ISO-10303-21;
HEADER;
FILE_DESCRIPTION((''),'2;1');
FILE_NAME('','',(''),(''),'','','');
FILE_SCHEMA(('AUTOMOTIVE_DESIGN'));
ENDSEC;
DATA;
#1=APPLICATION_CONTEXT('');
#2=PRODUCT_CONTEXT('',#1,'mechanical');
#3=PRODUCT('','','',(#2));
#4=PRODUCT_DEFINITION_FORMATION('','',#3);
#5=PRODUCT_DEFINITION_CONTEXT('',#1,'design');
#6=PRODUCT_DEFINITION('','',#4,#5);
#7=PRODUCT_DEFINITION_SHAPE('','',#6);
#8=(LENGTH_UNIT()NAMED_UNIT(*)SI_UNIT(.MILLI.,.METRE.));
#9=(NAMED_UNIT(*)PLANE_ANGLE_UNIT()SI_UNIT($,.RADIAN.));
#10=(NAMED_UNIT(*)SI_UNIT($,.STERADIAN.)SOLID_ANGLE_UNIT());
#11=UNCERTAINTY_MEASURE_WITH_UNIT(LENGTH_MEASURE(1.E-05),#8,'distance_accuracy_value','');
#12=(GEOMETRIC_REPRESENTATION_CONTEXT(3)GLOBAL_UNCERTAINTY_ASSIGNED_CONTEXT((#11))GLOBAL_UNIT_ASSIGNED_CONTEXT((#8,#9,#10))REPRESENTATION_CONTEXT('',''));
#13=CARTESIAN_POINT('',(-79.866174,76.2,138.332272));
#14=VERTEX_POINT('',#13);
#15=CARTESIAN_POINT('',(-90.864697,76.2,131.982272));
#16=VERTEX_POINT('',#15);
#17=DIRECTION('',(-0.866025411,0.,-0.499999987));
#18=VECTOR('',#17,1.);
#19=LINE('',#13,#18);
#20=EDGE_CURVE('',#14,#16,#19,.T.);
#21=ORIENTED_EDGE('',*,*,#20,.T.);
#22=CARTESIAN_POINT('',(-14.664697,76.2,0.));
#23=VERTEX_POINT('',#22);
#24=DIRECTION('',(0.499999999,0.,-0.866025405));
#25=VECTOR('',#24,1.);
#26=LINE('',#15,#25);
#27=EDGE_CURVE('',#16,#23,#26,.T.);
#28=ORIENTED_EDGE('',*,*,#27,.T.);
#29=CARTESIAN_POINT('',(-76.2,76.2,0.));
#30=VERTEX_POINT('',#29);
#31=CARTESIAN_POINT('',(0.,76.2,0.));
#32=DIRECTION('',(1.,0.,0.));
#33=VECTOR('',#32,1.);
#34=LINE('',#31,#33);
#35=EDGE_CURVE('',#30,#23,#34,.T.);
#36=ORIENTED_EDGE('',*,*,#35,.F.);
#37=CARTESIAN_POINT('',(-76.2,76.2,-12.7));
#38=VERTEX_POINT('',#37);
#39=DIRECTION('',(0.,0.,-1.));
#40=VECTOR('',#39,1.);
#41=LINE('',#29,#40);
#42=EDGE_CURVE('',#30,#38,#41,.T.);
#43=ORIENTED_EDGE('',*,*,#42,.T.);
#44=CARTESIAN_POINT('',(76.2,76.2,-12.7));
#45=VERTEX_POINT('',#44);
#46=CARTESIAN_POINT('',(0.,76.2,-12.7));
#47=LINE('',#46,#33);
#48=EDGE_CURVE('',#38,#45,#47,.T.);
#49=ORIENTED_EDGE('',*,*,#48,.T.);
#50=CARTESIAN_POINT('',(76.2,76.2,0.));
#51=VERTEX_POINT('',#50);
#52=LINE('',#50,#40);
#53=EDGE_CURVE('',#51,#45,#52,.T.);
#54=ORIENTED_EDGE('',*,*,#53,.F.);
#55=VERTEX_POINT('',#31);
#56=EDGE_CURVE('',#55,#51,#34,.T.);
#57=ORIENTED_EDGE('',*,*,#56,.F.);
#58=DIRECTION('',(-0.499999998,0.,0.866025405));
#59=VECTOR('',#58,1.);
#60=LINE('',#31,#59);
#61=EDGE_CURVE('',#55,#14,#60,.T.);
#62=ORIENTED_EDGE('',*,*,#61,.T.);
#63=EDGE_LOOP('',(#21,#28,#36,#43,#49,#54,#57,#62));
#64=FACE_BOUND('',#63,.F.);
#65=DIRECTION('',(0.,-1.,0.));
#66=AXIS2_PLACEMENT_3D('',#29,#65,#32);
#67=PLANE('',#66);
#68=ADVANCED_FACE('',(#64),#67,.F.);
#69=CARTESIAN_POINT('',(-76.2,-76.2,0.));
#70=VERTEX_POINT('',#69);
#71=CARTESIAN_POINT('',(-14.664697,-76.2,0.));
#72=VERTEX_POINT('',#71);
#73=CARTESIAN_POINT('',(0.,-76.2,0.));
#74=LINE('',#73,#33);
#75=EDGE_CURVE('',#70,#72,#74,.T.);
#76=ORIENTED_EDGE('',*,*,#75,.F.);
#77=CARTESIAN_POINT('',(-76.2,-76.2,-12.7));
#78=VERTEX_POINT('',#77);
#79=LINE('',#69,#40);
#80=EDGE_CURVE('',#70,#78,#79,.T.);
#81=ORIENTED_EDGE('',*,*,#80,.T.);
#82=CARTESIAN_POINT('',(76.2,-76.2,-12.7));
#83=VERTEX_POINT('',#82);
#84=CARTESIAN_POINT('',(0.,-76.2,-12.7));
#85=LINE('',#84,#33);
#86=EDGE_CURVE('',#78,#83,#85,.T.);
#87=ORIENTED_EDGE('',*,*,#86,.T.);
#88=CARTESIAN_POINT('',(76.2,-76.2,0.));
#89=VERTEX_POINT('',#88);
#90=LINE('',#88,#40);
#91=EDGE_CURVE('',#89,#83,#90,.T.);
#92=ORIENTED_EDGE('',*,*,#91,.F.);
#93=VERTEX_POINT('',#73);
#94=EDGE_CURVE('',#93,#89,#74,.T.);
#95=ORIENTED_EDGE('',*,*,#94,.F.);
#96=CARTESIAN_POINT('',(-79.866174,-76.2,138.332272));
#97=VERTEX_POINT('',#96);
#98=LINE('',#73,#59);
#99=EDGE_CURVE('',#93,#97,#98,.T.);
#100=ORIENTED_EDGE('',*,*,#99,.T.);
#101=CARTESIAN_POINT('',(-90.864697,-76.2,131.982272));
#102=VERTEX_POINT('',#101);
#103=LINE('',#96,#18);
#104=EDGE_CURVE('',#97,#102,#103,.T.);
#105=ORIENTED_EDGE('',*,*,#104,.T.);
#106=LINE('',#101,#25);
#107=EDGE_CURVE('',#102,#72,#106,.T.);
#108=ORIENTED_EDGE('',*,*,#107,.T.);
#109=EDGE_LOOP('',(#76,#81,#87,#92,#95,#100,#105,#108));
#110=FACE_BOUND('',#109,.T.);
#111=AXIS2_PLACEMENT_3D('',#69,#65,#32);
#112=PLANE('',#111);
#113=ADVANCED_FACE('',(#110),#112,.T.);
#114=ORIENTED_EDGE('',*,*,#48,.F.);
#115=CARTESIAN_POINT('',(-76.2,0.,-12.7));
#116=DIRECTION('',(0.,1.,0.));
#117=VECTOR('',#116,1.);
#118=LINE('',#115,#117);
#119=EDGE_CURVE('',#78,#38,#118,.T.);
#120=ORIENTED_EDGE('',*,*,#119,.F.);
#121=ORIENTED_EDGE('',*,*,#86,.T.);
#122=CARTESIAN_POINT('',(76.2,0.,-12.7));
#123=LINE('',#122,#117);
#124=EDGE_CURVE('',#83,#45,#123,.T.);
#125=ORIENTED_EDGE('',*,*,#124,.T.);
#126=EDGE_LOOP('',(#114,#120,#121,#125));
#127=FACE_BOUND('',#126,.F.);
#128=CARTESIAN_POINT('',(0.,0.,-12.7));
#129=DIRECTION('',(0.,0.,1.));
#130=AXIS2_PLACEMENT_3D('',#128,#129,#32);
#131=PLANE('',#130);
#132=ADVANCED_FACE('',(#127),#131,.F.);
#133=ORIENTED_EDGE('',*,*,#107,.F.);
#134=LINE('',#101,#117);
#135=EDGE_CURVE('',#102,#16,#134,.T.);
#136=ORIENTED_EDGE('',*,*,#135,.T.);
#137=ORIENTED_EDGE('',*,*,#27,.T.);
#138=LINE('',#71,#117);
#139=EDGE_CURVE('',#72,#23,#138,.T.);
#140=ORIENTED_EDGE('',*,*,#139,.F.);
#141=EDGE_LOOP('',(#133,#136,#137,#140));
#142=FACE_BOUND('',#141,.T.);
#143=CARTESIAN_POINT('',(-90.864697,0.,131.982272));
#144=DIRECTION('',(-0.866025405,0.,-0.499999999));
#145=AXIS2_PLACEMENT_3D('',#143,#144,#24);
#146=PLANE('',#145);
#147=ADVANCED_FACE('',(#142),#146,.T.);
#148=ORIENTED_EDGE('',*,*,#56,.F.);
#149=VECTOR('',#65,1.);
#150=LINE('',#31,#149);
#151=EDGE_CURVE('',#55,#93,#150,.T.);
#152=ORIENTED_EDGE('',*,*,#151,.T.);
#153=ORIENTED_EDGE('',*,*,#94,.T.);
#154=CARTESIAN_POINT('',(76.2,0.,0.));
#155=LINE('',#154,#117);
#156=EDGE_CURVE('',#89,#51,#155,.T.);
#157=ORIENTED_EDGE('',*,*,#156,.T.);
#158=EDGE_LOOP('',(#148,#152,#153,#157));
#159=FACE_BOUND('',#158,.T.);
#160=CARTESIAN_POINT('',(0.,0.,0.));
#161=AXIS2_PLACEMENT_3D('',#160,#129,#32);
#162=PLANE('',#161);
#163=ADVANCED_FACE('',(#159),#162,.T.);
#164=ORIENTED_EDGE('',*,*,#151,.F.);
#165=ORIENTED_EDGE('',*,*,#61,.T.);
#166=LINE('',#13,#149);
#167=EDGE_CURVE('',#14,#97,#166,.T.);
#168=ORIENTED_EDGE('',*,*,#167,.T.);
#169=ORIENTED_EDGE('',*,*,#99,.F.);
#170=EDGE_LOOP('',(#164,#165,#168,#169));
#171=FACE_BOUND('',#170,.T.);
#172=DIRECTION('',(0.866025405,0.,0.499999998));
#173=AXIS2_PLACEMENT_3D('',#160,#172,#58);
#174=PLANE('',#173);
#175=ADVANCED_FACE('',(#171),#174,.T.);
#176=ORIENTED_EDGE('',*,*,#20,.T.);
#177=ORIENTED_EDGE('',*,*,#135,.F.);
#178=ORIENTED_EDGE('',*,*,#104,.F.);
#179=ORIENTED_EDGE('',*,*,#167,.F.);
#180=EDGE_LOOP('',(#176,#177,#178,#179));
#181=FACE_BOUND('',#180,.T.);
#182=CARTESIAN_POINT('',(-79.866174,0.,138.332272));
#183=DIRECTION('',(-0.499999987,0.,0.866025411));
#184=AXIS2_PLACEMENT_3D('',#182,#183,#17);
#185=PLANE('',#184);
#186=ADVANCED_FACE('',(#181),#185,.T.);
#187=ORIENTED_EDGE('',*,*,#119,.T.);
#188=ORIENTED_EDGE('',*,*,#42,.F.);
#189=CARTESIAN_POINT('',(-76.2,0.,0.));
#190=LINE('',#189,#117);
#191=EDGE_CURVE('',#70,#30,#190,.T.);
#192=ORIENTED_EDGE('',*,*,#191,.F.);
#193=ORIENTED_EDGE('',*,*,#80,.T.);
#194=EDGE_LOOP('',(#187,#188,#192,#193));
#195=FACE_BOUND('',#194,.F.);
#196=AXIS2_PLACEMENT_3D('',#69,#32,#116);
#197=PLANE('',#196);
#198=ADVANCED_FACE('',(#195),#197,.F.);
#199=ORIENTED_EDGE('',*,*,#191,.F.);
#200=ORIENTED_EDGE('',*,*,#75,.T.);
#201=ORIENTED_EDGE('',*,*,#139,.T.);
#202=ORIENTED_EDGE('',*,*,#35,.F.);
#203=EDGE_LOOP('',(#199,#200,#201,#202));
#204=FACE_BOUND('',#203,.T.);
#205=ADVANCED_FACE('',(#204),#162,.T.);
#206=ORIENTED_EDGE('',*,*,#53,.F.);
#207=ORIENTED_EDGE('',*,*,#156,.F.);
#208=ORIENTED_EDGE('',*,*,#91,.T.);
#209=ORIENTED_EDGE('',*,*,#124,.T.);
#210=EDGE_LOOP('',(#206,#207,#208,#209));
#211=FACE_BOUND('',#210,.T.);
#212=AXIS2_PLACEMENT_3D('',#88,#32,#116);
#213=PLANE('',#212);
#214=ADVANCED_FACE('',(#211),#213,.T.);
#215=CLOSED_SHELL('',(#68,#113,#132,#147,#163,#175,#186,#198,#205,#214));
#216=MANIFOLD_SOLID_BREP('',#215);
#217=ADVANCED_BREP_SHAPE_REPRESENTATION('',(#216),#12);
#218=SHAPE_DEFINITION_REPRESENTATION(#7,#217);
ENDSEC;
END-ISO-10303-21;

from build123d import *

# Parameters (mm, degrees)
F0_W     = 152.4
F0_H     = 152.4
F1_DEPTH = 12.7
F3_DEPTH = 76.2


with BuildPart() as f1:
    # F0 (on Top) → F1 (new body)
    with BuildSketch(Plane.XY):
        Rectangle(F0_W, F0_H)
    extrude(amount=-F1_DEPTH)

    # F2 (on Front) → F3 (join, symmetric)
    with BuildSketch(Plane.XZ):
        Polygon((-14.664697, 0), (0, 0), (-79.866174, 138.332272), (-90.864697, 131.982272), align=None)
    extrude(amount=F3_DEPTH, both=True)


solid = f1.part
